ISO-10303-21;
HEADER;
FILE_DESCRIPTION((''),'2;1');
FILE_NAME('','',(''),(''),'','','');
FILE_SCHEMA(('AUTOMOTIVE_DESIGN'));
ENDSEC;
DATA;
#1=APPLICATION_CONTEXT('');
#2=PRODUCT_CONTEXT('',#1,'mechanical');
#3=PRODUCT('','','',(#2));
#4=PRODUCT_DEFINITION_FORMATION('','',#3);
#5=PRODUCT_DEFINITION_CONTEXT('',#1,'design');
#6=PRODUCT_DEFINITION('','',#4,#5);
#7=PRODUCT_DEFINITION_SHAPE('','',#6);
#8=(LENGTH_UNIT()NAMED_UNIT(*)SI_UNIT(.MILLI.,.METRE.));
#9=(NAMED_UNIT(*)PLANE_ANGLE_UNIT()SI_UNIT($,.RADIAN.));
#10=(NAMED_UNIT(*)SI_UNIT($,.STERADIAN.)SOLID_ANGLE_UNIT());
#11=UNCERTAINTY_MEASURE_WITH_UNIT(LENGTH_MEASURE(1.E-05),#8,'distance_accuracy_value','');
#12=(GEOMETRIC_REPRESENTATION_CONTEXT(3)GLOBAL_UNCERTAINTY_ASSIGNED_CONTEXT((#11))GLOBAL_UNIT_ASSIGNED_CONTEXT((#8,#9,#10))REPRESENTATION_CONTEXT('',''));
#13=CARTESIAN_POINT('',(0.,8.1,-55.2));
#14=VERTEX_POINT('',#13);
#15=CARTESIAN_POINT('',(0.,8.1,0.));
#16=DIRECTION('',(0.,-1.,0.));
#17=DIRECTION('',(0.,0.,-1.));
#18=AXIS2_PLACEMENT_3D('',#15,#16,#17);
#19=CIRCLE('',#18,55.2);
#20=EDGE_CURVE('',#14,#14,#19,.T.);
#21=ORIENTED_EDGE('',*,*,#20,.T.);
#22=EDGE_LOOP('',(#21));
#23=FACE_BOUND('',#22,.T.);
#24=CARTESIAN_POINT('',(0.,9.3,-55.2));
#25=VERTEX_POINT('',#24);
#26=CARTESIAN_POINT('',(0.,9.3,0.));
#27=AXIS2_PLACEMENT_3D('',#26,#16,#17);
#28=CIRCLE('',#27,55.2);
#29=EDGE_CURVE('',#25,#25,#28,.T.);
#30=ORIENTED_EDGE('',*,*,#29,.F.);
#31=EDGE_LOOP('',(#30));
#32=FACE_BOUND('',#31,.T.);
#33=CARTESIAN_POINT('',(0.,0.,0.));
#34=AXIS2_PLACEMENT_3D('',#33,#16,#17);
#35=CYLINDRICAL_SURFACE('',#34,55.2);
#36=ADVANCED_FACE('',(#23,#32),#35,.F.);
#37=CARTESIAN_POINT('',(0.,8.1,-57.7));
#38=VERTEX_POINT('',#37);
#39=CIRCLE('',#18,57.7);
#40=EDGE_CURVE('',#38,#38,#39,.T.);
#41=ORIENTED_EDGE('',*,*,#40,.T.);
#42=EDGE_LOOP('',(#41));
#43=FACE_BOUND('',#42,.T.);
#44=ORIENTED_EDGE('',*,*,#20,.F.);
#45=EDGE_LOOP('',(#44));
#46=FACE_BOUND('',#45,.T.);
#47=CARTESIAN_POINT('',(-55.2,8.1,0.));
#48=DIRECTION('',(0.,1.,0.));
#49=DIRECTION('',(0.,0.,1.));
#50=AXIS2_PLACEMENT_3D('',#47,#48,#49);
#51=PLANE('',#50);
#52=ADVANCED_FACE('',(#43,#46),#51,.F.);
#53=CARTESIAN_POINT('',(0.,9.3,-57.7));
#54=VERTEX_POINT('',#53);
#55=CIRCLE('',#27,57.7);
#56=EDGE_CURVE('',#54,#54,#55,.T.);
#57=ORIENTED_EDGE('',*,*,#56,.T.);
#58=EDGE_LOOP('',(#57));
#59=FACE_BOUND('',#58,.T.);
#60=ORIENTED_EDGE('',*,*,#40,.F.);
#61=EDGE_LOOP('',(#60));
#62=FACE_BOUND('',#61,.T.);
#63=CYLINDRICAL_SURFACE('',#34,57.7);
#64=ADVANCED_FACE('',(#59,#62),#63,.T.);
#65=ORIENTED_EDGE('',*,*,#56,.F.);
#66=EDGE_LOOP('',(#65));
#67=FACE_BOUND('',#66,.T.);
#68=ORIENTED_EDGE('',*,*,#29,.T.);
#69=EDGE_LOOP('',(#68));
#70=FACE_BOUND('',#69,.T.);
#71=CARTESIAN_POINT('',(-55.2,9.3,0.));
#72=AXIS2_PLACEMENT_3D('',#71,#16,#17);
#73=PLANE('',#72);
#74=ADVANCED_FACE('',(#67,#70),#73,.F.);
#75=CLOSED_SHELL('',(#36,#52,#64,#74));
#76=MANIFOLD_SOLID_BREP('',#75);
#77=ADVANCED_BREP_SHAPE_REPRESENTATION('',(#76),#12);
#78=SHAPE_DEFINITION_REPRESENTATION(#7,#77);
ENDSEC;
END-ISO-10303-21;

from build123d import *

# Parameters (mm, degrees)
SKETCH4_W = 2.5
SKETCH4_H = 1.2


with BuildPart() as part:
    # Sketch4 → Revolve1 (revolve)
    with BuildSketch(Plane.XY):
        with Locations((-56.45, 8.7)):
            Rectangle(SKETCH4_W, SKETCH4_H)
    revolve(axis=Axis((0, 0, 0), (0, 1, 0)))


solid = part.part
